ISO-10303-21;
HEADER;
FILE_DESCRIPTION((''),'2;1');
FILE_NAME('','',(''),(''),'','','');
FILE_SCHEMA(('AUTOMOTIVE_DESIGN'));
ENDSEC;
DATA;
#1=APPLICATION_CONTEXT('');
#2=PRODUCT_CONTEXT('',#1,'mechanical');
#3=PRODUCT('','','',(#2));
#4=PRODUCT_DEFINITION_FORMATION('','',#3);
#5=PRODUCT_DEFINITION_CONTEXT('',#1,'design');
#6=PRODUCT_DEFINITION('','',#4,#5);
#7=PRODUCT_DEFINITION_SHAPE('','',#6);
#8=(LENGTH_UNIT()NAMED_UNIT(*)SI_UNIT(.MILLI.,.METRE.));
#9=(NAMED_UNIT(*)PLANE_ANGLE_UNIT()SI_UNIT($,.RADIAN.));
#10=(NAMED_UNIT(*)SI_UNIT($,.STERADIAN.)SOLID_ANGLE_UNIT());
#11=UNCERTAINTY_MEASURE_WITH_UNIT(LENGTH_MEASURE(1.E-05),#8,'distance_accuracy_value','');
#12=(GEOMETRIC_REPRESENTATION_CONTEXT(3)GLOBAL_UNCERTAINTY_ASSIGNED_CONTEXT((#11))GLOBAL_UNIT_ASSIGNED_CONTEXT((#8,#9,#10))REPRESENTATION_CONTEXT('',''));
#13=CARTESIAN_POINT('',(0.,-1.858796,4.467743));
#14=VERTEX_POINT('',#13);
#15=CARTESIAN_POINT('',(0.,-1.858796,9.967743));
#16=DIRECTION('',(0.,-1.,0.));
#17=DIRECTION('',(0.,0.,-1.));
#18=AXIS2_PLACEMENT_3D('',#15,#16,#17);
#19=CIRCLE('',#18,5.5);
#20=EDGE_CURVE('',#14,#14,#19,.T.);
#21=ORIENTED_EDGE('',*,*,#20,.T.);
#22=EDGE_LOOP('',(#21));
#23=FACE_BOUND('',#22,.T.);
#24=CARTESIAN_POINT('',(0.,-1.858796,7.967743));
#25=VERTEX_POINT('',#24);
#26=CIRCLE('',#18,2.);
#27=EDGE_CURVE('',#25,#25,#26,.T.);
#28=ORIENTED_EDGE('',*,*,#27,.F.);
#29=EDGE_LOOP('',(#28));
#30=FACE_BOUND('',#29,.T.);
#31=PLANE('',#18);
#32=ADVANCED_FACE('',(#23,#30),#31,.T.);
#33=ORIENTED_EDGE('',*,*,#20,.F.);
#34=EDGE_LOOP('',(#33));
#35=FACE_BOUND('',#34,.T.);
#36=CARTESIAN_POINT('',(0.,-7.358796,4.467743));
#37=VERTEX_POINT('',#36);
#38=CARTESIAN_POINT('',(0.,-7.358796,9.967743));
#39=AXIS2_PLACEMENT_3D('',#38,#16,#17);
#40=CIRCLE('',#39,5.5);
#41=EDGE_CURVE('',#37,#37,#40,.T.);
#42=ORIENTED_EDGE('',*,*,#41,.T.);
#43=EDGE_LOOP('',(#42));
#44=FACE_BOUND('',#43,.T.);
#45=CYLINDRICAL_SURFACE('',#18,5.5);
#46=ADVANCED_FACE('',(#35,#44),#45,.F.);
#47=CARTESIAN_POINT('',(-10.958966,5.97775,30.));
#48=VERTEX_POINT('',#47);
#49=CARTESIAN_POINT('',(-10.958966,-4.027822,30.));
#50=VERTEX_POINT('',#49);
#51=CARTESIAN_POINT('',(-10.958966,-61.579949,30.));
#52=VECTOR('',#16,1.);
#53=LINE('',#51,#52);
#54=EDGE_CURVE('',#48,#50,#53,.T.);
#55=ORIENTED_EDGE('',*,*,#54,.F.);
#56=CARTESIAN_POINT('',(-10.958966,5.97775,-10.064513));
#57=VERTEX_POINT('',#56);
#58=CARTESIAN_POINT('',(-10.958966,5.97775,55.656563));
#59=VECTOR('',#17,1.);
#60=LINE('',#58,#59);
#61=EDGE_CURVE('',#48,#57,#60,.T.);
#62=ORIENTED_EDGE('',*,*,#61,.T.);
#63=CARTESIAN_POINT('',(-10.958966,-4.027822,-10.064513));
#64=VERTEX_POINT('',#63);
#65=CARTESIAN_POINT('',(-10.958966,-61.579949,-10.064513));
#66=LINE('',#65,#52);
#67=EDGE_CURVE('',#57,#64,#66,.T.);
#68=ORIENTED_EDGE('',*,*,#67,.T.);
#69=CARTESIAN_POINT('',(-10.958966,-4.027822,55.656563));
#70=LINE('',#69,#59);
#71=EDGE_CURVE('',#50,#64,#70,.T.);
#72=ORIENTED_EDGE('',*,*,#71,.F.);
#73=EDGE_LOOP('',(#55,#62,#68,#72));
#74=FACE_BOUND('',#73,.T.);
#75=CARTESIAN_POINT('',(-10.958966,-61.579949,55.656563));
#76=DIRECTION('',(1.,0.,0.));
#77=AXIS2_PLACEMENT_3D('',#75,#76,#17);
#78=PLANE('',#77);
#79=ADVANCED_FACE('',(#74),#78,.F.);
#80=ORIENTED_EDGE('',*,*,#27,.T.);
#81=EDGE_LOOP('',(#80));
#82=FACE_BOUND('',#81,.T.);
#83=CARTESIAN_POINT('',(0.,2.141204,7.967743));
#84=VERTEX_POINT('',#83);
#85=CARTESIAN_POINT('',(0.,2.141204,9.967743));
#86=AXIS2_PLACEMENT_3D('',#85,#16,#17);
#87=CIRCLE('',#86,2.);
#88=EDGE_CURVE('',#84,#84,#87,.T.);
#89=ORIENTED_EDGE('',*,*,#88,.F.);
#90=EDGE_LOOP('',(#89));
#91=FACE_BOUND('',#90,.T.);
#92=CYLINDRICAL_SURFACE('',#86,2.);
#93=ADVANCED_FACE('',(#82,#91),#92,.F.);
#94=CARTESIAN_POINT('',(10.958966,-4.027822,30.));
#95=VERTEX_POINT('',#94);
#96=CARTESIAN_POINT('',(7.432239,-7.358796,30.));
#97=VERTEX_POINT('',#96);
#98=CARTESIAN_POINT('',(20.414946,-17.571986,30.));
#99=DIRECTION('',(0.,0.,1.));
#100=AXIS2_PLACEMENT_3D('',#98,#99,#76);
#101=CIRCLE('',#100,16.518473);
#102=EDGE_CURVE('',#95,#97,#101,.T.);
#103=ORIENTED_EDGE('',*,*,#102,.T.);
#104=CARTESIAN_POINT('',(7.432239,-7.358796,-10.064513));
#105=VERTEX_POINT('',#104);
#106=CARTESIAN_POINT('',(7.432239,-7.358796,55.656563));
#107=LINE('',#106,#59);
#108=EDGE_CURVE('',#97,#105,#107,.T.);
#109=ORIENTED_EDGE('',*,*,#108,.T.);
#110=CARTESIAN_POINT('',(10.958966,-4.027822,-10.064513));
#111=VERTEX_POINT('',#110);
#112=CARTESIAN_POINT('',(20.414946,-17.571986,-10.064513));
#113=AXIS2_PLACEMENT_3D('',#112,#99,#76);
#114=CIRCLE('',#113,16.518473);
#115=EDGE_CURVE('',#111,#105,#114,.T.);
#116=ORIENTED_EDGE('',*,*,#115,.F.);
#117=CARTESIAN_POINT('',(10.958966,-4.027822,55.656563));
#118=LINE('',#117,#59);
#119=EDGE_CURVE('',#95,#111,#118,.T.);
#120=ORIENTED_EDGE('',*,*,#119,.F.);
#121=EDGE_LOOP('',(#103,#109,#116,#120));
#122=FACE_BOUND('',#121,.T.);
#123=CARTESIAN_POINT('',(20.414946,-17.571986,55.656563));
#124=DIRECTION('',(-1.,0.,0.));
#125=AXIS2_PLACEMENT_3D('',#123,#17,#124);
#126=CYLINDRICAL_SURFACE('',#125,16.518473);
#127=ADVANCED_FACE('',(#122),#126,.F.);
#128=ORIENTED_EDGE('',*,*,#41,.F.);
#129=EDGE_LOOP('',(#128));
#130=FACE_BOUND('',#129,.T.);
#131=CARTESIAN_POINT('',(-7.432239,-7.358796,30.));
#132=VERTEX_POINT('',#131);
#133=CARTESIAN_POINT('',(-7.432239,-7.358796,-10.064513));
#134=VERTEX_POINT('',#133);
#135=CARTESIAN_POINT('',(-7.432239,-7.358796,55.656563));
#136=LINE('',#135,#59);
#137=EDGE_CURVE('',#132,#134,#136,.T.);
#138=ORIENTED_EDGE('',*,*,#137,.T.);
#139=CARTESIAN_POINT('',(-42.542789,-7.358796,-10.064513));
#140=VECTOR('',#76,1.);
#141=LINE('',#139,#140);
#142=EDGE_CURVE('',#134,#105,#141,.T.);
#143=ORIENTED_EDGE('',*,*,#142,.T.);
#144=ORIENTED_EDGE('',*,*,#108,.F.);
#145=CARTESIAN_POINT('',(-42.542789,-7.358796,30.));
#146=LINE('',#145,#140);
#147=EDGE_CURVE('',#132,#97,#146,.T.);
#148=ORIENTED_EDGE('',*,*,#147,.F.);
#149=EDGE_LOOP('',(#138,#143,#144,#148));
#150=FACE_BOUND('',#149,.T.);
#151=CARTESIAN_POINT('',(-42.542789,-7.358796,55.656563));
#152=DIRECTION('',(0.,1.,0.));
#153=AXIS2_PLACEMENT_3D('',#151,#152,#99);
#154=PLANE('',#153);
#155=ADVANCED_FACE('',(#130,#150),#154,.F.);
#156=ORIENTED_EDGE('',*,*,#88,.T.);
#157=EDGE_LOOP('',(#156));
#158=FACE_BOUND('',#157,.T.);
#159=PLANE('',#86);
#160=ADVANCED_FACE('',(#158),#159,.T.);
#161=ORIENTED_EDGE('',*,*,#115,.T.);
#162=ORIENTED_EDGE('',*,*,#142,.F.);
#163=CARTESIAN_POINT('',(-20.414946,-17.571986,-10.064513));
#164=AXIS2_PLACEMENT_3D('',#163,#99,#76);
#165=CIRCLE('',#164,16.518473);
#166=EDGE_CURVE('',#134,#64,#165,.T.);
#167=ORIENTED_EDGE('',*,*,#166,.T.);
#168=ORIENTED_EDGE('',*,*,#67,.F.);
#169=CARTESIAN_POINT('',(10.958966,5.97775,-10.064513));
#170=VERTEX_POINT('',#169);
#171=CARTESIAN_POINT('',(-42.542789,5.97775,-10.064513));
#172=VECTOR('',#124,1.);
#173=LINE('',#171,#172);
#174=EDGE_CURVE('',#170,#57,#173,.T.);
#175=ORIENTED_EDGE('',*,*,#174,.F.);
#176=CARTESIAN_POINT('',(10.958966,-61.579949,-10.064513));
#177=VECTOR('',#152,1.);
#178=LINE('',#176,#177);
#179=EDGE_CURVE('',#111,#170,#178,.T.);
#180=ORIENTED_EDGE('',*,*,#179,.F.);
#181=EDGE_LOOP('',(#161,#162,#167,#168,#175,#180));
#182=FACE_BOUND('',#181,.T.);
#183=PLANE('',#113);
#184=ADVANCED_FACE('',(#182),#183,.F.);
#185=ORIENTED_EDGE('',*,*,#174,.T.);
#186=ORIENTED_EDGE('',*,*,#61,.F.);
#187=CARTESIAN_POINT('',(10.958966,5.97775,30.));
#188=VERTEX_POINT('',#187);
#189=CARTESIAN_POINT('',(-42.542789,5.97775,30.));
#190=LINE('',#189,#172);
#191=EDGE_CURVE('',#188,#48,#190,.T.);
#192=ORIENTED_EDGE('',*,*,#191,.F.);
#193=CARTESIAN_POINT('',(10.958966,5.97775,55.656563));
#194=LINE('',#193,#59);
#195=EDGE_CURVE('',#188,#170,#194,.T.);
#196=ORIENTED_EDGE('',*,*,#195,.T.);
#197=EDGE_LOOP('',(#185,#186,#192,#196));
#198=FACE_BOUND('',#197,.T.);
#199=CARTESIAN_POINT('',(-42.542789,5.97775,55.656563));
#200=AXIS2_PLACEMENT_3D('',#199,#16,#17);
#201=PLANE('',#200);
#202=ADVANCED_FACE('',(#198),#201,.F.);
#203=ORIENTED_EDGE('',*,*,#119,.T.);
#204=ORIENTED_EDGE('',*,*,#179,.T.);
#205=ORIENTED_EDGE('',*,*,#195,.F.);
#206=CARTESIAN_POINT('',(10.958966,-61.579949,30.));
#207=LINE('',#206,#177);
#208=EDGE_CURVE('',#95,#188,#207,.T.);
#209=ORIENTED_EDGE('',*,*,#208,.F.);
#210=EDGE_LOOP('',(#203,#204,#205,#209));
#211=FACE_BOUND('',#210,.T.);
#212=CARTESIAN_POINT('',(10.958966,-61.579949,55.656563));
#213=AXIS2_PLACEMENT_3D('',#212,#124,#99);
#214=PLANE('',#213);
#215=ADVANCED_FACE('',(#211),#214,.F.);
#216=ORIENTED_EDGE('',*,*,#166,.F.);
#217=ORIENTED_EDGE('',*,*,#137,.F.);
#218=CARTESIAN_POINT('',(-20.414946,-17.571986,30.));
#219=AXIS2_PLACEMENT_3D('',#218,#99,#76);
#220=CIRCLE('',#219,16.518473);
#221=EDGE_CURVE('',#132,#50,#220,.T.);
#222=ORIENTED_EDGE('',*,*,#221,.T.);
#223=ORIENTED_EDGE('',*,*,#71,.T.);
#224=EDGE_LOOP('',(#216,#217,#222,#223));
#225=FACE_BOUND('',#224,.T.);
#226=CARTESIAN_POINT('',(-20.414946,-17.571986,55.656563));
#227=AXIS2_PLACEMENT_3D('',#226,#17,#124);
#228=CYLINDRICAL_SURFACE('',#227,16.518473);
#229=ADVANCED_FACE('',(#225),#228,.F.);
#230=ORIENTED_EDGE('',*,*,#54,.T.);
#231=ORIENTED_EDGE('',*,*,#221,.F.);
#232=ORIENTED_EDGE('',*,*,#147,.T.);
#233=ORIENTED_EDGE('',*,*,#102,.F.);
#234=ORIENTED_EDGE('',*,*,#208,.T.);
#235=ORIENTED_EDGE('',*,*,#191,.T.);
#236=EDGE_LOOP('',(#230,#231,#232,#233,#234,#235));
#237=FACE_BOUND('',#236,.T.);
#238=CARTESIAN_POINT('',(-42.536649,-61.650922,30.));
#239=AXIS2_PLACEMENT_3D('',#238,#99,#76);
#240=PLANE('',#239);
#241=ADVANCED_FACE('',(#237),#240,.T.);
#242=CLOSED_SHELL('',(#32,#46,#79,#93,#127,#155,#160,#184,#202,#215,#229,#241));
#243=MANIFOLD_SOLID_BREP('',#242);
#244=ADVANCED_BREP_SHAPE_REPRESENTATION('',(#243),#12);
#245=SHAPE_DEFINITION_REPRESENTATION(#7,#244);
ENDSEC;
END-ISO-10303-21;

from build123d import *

# Parameters (mm, degrees)
EXTRUDE_START       = -10.064513
EXTRUDE_1_DEPTH     = 40.064513032
SKETCH_2_R          = 5.499999999
CUT_EXTRUDE_2_DEPTH = 5.5
SKETCH_3_R          = 1.999999999
CUT_EXTRUDE_3_DEPTH = 4


with BuildPart() as part:
    # Эскиз1 → Вытянуть1 (new body)
    with BuildSketch(Plane.XY.offset(EXTRUDE_START)):
        with BuildLine():
            Line((-10.958966345, 5.977749985), (10.958966345, 5.977749985))
            Line((10.958966345, 5.977749985), (10.958966345, -4.027821729))
            ThreePointArc((10.958966345, -4.027821729), (9.072657082, -5.563138372), (7.432238503, -7.358796112))
            Line((7.432238503, -7.358796112), (-7.432238503, -7.358796112))
            ThreePointArc((-7.432238503, -7.358796112), (-9.072657082, -5.563138372), (-10.958966345, -4.027821729))
            Line((-10.958966345, -4.027821729), (-10.958966345, 5.977749985))
        make_face()
    extrude(amount=EXTRUDE_1_DEPTH)

    # Эскиз2 → Вытянуть2 (cut)
    with BuildSketch(Plane.XZ.offset(7.358796112)):
        with Locations(Location((0, 9.967743485, 0), (0, 0, 270))):
            Circle(SKETCH_2_R)
    extrude(amount=-CUT_EXTRUDE_2_DEPTH, mode=Mode.SUBTRACT)

    # Эскиз3 → Вытянуть3 (cut)
    with BuildSketch(Plane.XZ.offset(1.858796112)):
        with Locations(Location((0, 9.967743485, 0), (0, 0, 270))):
            Circle(SKETCH_3_R)
    extrude(amount=-CUT_EXTRUDE_3_DEPTH, mode=Mode.SUBTRACT)


solid = part.part
